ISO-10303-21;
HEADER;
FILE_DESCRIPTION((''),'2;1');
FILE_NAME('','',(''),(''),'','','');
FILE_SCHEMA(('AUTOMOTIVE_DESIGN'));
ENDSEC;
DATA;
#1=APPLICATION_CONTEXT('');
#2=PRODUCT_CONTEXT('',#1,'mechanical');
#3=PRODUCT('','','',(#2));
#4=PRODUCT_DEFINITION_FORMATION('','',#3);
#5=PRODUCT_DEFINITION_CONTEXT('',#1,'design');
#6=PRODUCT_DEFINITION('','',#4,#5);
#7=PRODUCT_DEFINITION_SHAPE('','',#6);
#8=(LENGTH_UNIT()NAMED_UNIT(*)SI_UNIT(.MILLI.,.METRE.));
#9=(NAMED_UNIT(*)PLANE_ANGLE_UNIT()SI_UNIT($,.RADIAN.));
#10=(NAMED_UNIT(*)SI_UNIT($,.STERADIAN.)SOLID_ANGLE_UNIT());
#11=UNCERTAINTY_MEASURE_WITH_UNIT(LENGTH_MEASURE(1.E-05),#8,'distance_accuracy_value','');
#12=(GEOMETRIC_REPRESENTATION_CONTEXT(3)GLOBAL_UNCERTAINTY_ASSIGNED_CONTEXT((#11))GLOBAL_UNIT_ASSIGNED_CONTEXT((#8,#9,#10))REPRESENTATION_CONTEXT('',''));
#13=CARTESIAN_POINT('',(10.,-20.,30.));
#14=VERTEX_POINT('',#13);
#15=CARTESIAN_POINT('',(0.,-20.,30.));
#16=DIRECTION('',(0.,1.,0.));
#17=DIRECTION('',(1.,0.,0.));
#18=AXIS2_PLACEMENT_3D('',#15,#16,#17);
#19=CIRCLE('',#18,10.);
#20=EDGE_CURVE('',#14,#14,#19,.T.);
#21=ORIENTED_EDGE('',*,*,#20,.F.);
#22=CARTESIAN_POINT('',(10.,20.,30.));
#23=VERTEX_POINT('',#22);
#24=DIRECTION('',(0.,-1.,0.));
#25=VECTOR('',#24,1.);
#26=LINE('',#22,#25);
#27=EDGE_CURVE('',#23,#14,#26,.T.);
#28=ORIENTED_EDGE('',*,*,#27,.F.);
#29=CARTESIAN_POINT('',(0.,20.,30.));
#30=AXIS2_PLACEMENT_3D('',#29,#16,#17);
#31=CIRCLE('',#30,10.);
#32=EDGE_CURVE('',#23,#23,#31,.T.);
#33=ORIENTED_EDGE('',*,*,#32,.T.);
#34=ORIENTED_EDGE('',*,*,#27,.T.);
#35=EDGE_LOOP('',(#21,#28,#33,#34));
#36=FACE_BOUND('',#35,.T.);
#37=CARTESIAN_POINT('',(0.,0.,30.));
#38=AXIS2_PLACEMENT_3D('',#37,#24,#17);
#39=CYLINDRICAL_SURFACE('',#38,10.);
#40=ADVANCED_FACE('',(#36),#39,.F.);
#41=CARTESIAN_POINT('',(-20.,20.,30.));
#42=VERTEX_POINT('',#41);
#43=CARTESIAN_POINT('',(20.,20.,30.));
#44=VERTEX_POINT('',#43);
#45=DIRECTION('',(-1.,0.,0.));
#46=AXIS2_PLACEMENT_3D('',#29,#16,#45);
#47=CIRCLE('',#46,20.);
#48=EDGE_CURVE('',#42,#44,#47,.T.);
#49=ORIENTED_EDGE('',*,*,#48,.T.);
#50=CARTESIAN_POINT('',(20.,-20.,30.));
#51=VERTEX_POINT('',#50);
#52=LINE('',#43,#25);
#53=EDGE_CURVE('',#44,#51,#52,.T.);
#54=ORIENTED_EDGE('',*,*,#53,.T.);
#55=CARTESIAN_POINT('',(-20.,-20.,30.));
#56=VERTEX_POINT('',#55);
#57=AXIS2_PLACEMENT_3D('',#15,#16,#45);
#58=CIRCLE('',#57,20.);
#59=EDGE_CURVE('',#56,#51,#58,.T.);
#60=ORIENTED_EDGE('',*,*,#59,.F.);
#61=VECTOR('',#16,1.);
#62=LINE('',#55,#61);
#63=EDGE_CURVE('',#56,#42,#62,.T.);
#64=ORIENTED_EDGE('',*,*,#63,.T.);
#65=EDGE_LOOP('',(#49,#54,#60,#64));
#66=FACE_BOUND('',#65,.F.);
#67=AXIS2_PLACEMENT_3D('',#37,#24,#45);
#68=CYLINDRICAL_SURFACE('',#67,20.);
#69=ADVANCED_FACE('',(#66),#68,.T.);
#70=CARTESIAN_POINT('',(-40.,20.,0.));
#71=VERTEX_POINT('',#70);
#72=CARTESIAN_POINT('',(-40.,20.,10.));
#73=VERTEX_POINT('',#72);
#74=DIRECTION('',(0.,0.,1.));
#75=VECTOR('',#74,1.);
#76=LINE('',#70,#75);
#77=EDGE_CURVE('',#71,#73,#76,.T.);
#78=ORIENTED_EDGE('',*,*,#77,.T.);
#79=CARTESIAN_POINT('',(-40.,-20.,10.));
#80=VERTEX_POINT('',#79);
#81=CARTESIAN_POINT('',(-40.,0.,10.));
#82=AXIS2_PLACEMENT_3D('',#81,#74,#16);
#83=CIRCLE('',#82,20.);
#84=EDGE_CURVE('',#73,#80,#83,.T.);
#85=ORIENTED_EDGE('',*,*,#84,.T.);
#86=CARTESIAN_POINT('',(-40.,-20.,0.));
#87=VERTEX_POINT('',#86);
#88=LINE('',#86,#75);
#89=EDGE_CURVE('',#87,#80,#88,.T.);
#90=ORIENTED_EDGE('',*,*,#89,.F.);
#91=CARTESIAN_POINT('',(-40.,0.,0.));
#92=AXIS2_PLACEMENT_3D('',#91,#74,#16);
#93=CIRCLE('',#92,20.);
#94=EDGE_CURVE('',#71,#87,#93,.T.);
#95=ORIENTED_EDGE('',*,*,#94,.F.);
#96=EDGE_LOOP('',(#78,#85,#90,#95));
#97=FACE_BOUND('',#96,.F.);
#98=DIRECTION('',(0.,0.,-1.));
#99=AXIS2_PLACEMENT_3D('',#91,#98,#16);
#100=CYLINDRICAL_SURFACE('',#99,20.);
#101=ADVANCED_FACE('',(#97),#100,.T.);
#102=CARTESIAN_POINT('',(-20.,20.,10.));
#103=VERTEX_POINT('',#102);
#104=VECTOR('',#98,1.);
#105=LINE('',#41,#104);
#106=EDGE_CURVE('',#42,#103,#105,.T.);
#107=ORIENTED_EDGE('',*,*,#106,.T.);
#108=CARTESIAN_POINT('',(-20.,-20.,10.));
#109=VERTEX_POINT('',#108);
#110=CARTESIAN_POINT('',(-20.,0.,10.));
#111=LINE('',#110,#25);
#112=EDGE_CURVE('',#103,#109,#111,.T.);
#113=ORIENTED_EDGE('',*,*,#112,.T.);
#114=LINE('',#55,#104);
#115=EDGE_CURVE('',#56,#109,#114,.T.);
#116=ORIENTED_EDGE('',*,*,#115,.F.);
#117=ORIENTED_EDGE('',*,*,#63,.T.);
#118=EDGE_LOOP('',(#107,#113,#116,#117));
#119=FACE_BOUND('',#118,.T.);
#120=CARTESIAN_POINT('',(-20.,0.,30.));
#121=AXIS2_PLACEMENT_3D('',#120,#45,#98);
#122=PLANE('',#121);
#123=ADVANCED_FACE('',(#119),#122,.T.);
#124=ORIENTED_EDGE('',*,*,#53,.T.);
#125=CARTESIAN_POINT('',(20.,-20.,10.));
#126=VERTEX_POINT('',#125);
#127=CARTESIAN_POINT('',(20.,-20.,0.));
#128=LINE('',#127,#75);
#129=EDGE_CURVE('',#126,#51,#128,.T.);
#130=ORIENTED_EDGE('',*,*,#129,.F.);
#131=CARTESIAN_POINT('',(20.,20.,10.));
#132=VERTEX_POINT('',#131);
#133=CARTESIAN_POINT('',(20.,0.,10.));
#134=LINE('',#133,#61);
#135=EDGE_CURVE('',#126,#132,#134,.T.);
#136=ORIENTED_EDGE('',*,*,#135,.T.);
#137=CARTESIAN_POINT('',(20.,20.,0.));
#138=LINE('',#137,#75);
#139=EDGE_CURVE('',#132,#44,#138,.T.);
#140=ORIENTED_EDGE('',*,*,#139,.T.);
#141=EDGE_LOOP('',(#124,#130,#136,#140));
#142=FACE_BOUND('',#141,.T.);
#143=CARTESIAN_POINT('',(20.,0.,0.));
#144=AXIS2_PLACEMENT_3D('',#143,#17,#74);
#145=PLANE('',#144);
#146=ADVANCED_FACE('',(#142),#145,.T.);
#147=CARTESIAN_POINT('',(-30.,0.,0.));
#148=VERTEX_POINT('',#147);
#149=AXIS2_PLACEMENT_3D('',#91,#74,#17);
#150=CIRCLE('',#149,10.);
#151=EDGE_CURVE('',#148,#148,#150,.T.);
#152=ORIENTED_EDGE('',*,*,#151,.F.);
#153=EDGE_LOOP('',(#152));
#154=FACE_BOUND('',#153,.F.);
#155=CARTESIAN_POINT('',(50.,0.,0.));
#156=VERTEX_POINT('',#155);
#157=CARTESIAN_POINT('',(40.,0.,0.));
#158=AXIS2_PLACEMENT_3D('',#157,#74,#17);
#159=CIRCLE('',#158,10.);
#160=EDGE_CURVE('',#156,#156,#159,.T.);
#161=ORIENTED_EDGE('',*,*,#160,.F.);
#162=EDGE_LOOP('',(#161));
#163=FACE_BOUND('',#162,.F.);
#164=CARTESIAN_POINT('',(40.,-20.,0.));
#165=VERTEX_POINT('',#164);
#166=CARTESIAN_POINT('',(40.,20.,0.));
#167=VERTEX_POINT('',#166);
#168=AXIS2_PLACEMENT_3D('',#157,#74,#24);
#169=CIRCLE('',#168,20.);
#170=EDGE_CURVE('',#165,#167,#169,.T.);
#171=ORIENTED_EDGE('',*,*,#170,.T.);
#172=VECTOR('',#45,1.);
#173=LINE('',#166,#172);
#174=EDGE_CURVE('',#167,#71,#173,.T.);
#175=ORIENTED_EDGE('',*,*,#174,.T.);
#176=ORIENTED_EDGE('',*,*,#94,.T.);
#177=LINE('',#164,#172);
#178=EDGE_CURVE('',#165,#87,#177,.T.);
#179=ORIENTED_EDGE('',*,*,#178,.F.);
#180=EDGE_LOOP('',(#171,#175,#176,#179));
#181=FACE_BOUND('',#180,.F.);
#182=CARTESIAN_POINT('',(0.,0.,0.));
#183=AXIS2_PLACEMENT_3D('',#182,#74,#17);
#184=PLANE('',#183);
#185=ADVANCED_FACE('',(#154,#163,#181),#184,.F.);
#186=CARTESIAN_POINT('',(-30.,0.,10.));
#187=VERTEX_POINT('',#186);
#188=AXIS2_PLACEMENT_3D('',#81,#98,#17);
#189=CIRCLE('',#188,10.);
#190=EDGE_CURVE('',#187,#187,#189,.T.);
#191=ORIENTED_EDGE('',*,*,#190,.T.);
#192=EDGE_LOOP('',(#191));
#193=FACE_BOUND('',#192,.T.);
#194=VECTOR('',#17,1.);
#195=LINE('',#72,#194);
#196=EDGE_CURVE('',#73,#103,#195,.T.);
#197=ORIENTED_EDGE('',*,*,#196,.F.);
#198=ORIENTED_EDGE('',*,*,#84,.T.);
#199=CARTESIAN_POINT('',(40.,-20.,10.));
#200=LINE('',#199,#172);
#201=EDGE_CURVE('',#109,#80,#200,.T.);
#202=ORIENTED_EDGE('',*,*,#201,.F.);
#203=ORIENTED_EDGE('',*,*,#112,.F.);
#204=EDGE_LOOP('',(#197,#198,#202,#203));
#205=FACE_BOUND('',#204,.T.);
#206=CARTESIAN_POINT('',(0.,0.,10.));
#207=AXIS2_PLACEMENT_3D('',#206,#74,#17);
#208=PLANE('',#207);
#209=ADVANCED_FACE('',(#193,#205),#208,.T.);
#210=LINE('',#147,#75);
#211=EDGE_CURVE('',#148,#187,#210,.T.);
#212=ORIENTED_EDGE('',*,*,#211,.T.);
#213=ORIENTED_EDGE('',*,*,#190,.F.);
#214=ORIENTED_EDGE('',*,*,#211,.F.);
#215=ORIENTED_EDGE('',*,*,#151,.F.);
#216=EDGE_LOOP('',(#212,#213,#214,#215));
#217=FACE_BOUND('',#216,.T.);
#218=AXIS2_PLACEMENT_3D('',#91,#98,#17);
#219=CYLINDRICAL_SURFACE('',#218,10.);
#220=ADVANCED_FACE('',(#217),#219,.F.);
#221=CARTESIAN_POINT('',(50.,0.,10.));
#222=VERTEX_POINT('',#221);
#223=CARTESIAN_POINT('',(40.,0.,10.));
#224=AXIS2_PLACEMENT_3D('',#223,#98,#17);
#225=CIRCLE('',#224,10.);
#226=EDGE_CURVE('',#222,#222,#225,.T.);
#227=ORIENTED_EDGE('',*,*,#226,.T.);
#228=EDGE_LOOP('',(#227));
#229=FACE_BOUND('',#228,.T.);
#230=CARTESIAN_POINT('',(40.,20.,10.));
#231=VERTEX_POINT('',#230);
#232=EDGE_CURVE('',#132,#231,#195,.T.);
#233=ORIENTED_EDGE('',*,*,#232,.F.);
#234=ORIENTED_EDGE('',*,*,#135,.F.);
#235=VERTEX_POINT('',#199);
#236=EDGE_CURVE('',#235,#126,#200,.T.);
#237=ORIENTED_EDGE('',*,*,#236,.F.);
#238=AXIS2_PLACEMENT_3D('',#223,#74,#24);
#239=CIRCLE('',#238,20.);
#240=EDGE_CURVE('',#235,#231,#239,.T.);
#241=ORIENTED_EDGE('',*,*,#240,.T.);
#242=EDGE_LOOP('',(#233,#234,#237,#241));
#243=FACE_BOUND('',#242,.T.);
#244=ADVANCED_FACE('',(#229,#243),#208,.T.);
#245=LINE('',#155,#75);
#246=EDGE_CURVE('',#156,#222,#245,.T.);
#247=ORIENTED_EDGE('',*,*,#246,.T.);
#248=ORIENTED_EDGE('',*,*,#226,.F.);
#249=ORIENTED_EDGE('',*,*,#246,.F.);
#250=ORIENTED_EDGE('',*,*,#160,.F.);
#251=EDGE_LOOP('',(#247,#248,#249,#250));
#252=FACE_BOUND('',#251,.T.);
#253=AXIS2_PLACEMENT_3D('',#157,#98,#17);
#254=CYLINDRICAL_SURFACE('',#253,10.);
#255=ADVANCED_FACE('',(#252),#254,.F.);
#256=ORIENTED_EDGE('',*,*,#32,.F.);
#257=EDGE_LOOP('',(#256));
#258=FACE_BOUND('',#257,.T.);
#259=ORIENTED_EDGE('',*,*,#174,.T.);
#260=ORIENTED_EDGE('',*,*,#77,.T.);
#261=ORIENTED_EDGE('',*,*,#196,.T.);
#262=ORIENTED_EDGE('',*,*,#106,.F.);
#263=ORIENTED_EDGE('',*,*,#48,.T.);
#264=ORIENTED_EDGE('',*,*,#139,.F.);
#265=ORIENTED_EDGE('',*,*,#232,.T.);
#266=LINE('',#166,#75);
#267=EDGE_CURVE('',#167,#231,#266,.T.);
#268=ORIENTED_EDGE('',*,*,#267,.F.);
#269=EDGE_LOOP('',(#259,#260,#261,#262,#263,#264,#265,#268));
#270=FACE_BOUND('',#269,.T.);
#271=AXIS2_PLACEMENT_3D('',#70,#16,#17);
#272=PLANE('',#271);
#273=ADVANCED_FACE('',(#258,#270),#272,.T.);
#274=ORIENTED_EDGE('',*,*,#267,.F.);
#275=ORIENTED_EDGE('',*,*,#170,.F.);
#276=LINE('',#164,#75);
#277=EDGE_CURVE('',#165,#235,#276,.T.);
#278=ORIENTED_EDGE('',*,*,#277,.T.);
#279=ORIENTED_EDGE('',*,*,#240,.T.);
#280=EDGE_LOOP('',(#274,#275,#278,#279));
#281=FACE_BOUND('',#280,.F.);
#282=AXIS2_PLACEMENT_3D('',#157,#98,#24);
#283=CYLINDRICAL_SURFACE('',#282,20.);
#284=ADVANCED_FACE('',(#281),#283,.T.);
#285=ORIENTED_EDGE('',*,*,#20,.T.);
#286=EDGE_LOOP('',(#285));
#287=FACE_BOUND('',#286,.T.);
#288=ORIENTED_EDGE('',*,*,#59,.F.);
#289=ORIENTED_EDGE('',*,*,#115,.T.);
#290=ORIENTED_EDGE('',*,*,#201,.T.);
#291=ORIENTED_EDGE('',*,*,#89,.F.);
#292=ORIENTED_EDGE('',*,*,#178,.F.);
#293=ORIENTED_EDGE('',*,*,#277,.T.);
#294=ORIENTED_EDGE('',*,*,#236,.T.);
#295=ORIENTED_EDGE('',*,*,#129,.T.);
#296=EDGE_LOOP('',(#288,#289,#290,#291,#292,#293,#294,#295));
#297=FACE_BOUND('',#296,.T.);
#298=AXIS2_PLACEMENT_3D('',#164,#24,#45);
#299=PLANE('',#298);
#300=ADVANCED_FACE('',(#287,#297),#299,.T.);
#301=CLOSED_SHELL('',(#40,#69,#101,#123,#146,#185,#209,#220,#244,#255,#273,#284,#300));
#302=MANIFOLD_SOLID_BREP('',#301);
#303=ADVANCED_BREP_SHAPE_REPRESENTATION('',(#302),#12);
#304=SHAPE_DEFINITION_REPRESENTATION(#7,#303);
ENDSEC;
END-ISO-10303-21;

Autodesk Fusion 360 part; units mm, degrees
sketch "Sketch1" plane through (0, 0, 0) normal (0, 0, 1) x (1, 0, 0)
  line L0 (-40, 20) -> (40, 20)
  line L1 (40, 20) -> (40, -20)
  line L2 (40, -20) -> (-40, -20)
  line L3 (-40, -20) -> (-40, 20)
  circle A0 centre (-40, 0) radius 10
  circle A1 centre (40, 0) radius 10
  line L4 (-24, 12) -> (-20, 10) construction
  arc A2 (-40, 20) -> (-40, -20) centre (-40, 0) ccw
  arc A3 (40, -20) -> (40, 20) centre (40, 0) ccw
extrude "Extrude1" add sketch "Sketch1" along normal blind 10 contours L0 L1 L2 L3 A0 A1 | L3 A0 A2 | L1 A1 A3
sketch "Sketch2" plane through (0, 0, 0) normal (0, 1, 0) x (1, 0, 0)
  line L0 (-20, 0) -> (20, 0)
  line L1 (20, 0) -> (20, -30)
  line L2 (-20, -30) -> (-20, 0)
  line L3 (-40, 0) -> (-40, -10)
  circle A0 centre (0, -30) radius 10
  arc A1 (-20, -30) -> (20, -30) centre (0, -30) ccw
extrude "Extrude2" add sketch "Sketch2" along normal mid plane 40
